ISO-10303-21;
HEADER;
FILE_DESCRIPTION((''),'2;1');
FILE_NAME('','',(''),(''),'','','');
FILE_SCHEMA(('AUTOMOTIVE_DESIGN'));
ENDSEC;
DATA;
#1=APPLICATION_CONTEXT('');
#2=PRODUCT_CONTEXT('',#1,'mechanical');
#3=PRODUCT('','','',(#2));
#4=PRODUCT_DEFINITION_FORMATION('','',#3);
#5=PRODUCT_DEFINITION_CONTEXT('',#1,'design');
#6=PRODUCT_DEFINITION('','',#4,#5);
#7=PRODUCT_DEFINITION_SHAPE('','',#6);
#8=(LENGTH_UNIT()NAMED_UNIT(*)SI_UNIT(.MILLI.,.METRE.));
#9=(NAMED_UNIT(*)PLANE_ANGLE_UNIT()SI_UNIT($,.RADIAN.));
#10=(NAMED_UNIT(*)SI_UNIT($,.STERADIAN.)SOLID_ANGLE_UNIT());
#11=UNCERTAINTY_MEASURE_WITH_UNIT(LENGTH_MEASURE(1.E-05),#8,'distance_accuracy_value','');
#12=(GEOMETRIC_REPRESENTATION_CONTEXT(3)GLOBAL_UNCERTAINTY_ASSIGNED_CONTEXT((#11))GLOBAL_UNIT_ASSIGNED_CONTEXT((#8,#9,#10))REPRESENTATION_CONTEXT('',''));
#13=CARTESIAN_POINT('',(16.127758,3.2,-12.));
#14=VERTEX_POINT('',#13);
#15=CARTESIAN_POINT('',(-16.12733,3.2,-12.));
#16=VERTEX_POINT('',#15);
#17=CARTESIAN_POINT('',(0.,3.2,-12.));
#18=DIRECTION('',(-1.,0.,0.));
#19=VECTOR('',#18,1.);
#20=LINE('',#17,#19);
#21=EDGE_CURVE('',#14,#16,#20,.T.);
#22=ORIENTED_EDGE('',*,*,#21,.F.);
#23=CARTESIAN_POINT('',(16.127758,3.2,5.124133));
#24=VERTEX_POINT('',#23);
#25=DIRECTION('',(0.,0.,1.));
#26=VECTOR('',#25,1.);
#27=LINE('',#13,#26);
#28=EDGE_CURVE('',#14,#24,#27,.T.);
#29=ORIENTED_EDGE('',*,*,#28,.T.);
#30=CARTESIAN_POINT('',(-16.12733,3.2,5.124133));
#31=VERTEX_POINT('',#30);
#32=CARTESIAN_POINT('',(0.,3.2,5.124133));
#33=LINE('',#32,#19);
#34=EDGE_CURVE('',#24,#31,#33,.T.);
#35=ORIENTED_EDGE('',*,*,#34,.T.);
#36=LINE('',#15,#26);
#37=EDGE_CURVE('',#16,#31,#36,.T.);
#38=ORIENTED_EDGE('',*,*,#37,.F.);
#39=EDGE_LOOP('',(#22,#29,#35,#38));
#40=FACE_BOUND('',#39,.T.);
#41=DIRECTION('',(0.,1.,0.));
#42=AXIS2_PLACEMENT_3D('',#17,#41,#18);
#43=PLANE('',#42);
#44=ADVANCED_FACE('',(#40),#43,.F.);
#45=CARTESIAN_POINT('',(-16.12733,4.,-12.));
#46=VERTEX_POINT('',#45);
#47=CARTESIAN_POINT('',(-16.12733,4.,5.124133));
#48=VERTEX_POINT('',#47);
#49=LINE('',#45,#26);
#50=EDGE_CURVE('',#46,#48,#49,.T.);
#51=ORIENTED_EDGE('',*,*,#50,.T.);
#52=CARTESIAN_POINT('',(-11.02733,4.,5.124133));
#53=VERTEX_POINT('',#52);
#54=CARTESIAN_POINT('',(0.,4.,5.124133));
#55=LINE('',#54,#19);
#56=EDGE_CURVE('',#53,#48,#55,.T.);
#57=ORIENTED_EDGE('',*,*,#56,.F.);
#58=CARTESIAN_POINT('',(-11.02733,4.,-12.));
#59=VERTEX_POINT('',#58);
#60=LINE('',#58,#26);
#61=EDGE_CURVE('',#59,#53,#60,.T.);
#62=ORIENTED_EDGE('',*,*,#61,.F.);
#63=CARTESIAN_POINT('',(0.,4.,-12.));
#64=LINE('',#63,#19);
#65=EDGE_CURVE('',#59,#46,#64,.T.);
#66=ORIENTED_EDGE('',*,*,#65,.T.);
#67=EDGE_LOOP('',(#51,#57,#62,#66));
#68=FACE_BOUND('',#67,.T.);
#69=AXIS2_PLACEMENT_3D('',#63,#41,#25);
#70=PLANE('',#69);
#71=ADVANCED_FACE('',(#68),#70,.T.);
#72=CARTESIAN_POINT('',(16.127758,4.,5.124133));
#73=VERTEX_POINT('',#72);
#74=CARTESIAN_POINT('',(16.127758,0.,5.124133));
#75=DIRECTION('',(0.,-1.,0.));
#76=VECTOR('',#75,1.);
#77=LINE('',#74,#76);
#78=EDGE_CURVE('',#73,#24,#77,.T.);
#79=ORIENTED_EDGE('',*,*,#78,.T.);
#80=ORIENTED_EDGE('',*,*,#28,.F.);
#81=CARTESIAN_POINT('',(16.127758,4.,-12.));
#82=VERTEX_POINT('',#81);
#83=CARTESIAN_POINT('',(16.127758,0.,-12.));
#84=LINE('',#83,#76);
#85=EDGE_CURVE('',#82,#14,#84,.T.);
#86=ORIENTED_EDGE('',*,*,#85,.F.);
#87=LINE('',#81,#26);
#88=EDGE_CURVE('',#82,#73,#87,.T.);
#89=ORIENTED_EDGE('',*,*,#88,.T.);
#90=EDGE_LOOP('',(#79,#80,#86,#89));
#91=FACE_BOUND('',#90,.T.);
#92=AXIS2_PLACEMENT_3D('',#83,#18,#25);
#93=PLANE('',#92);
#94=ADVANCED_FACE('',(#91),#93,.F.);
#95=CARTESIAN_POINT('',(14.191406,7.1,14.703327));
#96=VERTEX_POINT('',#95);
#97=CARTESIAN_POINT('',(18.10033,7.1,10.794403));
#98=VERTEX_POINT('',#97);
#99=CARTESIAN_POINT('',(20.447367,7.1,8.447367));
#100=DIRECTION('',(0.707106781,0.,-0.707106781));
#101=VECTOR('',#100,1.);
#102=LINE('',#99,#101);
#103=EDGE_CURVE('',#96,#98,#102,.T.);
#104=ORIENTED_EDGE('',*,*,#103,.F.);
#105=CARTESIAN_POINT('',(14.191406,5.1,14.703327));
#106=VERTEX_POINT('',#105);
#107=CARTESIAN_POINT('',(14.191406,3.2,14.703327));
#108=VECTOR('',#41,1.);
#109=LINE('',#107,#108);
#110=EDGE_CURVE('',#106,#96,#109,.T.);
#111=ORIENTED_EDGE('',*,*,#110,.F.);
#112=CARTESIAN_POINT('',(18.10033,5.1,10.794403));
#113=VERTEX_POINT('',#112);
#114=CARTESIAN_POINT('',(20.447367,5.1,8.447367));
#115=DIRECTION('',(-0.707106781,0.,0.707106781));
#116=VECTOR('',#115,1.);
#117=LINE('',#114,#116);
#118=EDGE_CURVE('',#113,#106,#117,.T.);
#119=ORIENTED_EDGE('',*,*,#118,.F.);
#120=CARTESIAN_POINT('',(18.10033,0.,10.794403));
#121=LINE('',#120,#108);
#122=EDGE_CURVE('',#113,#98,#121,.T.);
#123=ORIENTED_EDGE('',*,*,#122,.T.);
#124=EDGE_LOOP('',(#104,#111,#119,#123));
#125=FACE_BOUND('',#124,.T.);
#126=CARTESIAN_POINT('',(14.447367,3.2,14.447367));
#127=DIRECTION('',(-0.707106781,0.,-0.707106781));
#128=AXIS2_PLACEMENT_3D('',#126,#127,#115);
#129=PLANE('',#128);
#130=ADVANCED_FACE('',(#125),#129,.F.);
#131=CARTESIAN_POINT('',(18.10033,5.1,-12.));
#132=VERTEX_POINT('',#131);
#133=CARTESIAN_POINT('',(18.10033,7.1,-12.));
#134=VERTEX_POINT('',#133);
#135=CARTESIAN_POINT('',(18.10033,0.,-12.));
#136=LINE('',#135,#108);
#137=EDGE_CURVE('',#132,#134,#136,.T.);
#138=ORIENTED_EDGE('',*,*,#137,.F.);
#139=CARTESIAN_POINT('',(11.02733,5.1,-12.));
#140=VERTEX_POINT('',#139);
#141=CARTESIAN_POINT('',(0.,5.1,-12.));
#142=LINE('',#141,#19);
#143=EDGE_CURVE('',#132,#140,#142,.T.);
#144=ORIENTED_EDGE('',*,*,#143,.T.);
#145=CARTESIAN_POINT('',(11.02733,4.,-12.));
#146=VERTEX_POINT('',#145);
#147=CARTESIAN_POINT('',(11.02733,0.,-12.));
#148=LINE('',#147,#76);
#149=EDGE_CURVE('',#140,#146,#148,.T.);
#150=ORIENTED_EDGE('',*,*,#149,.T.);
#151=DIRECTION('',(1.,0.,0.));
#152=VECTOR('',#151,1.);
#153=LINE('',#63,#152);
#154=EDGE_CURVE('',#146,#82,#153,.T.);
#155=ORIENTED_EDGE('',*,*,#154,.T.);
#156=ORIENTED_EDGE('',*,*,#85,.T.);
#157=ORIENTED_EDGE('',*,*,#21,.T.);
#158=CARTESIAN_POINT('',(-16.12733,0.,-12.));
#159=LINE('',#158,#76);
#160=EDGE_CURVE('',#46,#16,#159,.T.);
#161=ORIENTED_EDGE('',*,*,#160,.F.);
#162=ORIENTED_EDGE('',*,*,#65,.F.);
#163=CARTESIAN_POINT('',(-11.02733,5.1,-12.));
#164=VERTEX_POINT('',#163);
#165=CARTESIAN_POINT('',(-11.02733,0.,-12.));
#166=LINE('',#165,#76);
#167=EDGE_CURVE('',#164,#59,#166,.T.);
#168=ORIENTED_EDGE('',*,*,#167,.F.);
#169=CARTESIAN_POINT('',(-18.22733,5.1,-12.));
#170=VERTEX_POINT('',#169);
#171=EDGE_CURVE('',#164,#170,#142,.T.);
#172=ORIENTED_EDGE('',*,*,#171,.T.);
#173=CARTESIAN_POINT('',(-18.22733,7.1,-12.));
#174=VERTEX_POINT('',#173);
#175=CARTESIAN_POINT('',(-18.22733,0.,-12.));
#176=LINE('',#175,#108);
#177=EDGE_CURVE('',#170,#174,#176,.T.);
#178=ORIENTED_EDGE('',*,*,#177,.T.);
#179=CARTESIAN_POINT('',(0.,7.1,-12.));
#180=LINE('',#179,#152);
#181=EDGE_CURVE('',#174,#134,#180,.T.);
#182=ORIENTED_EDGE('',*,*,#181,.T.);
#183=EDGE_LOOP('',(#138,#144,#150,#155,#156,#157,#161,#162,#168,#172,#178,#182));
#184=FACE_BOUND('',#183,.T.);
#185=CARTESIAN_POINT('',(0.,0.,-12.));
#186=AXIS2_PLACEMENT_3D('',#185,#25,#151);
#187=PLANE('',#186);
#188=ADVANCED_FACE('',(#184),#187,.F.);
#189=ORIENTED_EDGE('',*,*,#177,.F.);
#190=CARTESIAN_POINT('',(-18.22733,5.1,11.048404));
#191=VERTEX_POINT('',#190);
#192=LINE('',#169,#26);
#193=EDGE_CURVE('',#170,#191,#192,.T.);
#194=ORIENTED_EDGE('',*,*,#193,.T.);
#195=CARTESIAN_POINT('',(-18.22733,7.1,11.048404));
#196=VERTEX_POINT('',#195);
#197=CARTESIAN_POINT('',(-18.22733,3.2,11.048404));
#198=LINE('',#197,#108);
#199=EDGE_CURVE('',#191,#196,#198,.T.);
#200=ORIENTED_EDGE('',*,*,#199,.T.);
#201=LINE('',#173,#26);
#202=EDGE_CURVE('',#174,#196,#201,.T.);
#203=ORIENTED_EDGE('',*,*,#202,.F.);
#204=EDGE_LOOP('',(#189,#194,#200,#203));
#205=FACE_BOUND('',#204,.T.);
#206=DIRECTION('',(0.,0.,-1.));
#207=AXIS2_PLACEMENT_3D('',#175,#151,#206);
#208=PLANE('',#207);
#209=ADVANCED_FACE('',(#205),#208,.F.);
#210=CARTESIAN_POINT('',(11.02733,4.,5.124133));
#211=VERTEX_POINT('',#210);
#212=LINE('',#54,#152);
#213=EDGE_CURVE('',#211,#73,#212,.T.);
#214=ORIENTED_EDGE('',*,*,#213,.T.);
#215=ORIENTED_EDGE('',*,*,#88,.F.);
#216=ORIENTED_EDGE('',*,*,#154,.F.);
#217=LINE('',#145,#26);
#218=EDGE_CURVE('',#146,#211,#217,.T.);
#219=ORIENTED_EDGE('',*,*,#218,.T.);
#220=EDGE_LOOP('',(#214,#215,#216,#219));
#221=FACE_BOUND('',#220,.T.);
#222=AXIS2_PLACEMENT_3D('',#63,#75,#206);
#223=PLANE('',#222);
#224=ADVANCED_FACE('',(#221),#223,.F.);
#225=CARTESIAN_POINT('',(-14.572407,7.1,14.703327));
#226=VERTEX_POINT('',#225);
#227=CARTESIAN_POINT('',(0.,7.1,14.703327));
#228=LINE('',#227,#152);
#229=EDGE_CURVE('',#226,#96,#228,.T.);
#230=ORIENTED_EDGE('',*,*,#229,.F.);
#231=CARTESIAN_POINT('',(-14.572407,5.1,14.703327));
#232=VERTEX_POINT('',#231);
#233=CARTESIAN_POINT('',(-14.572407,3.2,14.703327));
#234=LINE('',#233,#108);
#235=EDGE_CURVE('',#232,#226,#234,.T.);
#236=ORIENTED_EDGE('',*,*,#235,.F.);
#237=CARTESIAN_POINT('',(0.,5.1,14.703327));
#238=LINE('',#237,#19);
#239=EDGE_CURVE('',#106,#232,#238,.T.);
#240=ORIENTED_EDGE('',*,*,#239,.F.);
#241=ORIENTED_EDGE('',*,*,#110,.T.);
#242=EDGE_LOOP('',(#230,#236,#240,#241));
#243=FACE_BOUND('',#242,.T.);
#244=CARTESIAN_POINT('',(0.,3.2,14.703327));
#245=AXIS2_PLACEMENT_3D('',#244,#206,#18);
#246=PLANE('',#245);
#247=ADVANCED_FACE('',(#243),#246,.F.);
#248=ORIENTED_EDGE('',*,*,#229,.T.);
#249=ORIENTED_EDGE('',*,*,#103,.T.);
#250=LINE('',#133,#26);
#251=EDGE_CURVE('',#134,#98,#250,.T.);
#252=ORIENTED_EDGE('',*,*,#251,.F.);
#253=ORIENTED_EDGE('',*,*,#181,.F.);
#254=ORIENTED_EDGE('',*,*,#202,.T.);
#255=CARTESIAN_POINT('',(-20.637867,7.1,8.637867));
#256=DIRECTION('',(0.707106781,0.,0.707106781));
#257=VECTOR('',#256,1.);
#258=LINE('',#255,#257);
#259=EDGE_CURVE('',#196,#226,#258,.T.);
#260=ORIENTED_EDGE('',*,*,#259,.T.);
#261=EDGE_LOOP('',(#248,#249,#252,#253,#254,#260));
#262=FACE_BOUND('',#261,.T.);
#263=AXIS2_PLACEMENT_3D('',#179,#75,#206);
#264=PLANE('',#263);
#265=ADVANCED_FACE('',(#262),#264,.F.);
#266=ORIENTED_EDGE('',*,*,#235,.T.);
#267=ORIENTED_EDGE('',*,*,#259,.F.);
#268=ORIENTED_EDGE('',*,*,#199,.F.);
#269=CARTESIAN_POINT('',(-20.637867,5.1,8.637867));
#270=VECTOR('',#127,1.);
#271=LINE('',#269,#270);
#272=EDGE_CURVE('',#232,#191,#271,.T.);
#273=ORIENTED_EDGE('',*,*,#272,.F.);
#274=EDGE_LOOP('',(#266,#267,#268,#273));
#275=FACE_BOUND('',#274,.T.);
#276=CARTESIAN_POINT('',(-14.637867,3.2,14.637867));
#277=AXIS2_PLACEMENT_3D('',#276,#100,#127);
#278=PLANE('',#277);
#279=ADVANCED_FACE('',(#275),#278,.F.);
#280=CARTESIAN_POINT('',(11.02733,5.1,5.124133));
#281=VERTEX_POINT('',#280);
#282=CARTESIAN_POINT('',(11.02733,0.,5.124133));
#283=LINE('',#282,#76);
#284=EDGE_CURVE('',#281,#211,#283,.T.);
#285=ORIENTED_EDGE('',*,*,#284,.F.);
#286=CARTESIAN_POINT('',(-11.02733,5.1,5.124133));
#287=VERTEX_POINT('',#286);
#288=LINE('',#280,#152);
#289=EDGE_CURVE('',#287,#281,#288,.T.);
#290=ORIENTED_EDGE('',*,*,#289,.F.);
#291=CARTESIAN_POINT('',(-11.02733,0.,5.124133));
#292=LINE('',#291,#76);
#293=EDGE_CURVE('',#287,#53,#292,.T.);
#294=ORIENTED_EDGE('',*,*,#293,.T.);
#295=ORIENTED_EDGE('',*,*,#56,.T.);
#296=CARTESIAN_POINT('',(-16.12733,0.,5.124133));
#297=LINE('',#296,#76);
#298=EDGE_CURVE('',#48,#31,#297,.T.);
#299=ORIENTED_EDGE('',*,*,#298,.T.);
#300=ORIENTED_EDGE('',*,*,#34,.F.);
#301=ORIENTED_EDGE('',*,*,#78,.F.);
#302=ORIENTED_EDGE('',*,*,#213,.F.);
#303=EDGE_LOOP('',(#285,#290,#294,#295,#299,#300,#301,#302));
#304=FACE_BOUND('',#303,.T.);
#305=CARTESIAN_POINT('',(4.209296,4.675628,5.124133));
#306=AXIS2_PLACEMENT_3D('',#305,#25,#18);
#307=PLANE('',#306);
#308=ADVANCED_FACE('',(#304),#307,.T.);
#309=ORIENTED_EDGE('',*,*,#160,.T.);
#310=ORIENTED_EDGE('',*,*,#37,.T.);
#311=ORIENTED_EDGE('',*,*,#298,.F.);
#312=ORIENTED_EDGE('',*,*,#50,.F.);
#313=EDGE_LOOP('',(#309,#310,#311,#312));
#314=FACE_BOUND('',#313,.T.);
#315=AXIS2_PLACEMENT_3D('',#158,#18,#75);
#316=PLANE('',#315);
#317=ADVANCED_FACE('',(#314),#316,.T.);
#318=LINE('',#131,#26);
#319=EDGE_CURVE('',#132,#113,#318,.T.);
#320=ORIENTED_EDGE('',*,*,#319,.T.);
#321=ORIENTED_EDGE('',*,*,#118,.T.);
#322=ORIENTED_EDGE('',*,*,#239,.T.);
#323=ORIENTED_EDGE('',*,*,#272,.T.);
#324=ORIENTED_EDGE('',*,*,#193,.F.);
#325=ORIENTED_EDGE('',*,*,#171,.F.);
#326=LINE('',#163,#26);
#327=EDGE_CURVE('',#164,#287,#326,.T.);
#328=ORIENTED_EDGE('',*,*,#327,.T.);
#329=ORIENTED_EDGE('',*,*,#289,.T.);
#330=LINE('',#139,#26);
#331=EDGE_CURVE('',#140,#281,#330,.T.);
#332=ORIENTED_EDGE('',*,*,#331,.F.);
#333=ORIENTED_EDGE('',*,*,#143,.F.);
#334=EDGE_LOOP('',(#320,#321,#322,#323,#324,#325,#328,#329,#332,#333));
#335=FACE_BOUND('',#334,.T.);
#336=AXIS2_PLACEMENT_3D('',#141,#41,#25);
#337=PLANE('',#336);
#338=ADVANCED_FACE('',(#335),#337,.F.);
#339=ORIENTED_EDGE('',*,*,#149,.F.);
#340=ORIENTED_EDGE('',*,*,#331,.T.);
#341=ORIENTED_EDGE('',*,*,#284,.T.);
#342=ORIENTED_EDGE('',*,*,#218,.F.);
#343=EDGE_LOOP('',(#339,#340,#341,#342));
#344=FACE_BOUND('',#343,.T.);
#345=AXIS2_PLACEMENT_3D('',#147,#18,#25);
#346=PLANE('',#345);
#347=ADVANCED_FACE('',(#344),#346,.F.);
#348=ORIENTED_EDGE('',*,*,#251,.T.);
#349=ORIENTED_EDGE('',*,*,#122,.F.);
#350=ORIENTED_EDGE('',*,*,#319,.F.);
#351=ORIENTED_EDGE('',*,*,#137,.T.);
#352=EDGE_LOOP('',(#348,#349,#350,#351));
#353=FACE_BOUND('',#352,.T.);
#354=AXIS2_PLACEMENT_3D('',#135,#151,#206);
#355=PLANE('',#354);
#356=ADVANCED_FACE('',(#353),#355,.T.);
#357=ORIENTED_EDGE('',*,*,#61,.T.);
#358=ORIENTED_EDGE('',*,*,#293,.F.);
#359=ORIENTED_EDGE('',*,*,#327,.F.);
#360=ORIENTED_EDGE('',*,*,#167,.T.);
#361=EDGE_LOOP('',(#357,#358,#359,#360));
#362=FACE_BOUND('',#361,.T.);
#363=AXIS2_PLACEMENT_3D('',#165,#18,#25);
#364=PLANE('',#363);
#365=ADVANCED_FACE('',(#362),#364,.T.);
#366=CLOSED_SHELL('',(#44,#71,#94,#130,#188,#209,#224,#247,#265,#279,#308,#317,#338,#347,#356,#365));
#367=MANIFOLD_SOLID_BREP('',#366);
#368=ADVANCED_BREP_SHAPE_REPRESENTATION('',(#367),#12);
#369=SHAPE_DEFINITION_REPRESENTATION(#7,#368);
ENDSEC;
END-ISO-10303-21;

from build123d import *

# Parameters (mm, degrees)
EXTRUDE_1_DEPTH          = 5.124133
EXTRUDE_1_DEPTH_BACK     = 12
EXTRUDE_2_DEPTH          = 10
CUT_EXTRUDE_1_DEPTH      = 25.003853471
CUT_EXTRUDE_1_DEPTH_BACK = 25.003853471


with BuildPart() as part:
    # 草图1 → 凸台-拉伸1 (new, two sides: drawn at the far end of the back side and taken through both)
    with BuildSketch(Plane.XY.offset(-EXTRUDE_1_DEPTH_BACK)):
        Polygon((-16.127330455, 4), (-16.127330455, 3.2), (-11.127330455, 3.2), (11.127330455, 3.200000056), (16.127758191, 3.200000069), (16.127758191, 4), (11.027330455, 4), (11.027330455, 5.1), (18.100330201, 5.1), (18.100330201, 7.1), (-18.227330455, 7.1), (-18.227330455, 5.1), (-11.027330455, 5.1), (-11.027330455, 4), align=None)
    extrude(amount=EXTRUDE_1_DEPTH + EXTRUDE_1_DEPTH_BACK)

    # 草图2 → 凸台-拉伸2 (add)
    with BuildSketch(Plane.XY.offset(5.12413323)):
        Polygon((11.027330455, 5.1), (-11.027330455, 5.1), (-18.227330455, 5.1), (-18.227330455, 7.1), (18.100330201, 7.1), (18.100330201, 5.1), align=None)
    extrude(amount=EXTRUDE_2_DEPTH)

    # 草图3 → 切除-拉伸1 (cut, two sides: drawn at the far end of the back side and taken through both)
    with BuildSketch(Plane(origin=(0, 7.1, 0), x_dir=(1, 0, 0), z_dir=(0, 1, 0)).offset(-CUT_EXTRUDE_1_DEPTH_BACK)):
        Polygon((18.100330201, -5.12413323), (18.100330201, -10.794403278), (18.100330201, -15.12413323), (-18.227330455, -15.12413323), (-18.227330455, -11.048403786), (-18.227330455, -5.12413323), (-20.378002423, -5.448805372), (-20.378002423, -17.361495583), (22.540888442, -17.361495583), (22.540888442, -5.12413323), align=None)
        Polygon((18.100330201, -15.12413323), (18.100330201, -10.794403278), (14.191406072, -14.703327407), (-14.572406834, -14.703327407), (-18.227330455, -11.048403786), (-18.227330455, -15.12413323), align=None)
    extrude(amount=CUT_EXTRUDE_1_DEPTH + CUT_EXTRUDE_1_DEPTH_BACK, mode=Mode.SUBTRACT)


solid = part.part
